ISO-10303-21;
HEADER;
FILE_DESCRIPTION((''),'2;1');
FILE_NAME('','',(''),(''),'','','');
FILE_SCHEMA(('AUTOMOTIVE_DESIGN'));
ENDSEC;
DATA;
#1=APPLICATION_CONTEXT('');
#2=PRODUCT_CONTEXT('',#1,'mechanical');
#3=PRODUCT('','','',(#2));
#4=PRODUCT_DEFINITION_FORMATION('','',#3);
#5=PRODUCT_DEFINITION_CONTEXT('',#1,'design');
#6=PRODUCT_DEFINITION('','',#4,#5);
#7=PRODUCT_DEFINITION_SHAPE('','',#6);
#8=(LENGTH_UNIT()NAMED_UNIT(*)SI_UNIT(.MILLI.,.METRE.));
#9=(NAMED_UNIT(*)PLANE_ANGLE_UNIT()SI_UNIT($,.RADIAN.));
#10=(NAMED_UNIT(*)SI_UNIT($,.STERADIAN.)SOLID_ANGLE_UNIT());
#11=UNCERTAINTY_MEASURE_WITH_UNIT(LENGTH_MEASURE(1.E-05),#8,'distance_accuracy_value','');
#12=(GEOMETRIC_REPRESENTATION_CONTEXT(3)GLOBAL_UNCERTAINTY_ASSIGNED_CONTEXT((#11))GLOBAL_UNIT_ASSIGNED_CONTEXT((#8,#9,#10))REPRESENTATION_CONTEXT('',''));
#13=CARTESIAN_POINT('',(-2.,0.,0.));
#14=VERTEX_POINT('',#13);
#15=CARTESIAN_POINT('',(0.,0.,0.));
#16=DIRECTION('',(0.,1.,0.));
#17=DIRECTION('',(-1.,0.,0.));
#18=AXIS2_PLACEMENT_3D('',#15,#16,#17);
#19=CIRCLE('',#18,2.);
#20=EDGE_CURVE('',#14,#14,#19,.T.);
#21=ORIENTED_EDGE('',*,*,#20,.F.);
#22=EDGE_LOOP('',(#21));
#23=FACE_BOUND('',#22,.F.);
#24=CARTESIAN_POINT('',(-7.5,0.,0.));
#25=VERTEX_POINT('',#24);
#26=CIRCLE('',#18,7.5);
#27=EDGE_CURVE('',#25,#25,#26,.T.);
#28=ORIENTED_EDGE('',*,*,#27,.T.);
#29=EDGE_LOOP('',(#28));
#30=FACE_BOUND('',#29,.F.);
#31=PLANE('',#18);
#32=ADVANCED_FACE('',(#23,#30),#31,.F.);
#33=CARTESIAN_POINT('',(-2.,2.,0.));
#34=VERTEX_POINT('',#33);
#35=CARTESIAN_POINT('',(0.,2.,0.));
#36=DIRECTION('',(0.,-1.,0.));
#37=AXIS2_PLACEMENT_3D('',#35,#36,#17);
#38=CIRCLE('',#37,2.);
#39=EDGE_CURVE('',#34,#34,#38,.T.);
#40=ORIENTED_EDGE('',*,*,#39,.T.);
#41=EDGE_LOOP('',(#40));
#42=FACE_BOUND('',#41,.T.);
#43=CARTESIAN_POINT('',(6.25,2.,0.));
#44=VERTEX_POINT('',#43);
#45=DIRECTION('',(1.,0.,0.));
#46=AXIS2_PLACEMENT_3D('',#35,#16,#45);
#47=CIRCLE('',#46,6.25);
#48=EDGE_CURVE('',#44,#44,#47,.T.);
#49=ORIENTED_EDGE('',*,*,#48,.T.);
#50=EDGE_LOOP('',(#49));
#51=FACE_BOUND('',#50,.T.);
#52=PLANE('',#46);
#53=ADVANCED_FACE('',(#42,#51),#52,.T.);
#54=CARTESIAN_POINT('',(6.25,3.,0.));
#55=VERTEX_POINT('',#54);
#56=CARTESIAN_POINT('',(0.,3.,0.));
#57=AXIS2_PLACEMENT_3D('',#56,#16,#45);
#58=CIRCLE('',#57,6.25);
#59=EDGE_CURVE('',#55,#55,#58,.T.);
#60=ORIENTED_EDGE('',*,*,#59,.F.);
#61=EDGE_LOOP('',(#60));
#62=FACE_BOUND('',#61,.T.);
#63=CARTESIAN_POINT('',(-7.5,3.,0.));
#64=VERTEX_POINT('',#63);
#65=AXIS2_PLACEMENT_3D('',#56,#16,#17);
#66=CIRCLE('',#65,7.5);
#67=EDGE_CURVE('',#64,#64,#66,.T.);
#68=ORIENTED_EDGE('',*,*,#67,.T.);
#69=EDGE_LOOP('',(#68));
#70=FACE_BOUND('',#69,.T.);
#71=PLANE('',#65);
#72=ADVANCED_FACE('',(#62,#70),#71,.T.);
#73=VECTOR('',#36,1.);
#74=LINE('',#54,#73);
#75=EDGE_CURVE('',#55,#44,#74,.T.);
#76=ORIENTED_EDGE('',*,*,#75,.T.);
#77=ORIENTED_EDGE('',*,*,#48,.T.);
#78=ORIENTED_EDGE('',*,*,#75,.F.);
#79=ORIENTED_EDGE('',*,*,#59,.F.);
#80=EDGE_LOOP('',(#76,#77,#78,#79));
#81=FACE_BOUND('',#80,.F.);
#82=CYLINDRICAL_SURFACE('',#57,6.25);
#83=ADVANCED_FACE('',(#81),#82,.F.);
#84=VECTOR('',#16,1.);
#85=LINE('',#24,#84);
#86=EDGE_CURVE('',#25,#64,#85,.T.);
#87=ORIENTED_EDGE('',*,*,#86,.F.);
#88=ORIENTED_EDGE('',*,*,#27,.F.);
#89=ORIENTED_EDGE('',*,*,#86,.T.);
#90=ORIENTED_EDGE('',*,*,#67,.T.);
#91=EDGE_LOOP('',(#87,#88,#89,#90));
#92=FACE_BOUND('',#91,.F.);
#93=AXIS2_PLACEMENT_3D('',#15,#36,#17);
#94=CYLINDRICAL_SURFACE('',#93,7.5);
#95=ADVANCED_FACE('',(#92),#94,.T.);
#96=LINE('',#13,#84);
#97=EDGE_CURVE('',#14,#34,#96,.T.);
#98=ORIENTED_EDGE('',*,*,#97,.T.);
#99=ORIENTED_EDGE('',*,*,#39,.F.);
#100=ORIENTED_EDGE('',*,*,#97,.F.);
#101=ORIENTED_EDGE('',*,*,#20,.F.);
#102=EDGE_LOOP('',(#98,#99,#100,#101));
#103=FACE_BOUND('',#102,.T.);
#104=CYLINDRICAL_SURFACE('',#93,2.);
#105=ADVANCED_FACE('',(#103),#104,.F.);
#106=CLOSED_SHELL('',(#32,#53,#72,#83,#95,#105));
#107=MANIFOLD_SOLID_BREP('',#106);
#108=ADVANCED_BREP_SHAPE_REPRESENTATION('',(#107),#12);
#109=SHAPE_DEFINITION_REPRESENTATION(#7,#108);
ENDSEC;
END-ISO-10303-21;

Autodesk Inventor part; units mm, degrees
ref_plane "YZ Plane" through (0, 0, 0) normal (1, 0, 0) x (0, 1, 0)
ref_plane "XZ Plane" through (0, 0, 0) normal (0, 1, 0) x (-1, 0, 0)
ref_plane "XY Plane" through (0, 0, 0) normal (0, 0, 1) x (1, 0, 0)
sketch "Sketch1" plane through (0, 0, 0) normal (0, 1, 0) x (-1, 0, 0)
  circle A0 centre (0, 0) radius 7.5
  circle A1 centre (0, 0) radius 2
  dimension "d0" = 15
  dimension "d1" = 4
extrude "Extrusion1" add sketch "Sketch1" along normal blind 3
sketch "Sketch2" plane through (0, 3, 0) normal (0, 1, 0) x (1, 0, 0)
  circle A0 centre (0, 0) radius 6.25
  dimension "d4" = 12.5
extrude "Extrusion2" cut sketch "Sketch2" against normal blind 1
properties part number "Small_Bearing_adapter"
